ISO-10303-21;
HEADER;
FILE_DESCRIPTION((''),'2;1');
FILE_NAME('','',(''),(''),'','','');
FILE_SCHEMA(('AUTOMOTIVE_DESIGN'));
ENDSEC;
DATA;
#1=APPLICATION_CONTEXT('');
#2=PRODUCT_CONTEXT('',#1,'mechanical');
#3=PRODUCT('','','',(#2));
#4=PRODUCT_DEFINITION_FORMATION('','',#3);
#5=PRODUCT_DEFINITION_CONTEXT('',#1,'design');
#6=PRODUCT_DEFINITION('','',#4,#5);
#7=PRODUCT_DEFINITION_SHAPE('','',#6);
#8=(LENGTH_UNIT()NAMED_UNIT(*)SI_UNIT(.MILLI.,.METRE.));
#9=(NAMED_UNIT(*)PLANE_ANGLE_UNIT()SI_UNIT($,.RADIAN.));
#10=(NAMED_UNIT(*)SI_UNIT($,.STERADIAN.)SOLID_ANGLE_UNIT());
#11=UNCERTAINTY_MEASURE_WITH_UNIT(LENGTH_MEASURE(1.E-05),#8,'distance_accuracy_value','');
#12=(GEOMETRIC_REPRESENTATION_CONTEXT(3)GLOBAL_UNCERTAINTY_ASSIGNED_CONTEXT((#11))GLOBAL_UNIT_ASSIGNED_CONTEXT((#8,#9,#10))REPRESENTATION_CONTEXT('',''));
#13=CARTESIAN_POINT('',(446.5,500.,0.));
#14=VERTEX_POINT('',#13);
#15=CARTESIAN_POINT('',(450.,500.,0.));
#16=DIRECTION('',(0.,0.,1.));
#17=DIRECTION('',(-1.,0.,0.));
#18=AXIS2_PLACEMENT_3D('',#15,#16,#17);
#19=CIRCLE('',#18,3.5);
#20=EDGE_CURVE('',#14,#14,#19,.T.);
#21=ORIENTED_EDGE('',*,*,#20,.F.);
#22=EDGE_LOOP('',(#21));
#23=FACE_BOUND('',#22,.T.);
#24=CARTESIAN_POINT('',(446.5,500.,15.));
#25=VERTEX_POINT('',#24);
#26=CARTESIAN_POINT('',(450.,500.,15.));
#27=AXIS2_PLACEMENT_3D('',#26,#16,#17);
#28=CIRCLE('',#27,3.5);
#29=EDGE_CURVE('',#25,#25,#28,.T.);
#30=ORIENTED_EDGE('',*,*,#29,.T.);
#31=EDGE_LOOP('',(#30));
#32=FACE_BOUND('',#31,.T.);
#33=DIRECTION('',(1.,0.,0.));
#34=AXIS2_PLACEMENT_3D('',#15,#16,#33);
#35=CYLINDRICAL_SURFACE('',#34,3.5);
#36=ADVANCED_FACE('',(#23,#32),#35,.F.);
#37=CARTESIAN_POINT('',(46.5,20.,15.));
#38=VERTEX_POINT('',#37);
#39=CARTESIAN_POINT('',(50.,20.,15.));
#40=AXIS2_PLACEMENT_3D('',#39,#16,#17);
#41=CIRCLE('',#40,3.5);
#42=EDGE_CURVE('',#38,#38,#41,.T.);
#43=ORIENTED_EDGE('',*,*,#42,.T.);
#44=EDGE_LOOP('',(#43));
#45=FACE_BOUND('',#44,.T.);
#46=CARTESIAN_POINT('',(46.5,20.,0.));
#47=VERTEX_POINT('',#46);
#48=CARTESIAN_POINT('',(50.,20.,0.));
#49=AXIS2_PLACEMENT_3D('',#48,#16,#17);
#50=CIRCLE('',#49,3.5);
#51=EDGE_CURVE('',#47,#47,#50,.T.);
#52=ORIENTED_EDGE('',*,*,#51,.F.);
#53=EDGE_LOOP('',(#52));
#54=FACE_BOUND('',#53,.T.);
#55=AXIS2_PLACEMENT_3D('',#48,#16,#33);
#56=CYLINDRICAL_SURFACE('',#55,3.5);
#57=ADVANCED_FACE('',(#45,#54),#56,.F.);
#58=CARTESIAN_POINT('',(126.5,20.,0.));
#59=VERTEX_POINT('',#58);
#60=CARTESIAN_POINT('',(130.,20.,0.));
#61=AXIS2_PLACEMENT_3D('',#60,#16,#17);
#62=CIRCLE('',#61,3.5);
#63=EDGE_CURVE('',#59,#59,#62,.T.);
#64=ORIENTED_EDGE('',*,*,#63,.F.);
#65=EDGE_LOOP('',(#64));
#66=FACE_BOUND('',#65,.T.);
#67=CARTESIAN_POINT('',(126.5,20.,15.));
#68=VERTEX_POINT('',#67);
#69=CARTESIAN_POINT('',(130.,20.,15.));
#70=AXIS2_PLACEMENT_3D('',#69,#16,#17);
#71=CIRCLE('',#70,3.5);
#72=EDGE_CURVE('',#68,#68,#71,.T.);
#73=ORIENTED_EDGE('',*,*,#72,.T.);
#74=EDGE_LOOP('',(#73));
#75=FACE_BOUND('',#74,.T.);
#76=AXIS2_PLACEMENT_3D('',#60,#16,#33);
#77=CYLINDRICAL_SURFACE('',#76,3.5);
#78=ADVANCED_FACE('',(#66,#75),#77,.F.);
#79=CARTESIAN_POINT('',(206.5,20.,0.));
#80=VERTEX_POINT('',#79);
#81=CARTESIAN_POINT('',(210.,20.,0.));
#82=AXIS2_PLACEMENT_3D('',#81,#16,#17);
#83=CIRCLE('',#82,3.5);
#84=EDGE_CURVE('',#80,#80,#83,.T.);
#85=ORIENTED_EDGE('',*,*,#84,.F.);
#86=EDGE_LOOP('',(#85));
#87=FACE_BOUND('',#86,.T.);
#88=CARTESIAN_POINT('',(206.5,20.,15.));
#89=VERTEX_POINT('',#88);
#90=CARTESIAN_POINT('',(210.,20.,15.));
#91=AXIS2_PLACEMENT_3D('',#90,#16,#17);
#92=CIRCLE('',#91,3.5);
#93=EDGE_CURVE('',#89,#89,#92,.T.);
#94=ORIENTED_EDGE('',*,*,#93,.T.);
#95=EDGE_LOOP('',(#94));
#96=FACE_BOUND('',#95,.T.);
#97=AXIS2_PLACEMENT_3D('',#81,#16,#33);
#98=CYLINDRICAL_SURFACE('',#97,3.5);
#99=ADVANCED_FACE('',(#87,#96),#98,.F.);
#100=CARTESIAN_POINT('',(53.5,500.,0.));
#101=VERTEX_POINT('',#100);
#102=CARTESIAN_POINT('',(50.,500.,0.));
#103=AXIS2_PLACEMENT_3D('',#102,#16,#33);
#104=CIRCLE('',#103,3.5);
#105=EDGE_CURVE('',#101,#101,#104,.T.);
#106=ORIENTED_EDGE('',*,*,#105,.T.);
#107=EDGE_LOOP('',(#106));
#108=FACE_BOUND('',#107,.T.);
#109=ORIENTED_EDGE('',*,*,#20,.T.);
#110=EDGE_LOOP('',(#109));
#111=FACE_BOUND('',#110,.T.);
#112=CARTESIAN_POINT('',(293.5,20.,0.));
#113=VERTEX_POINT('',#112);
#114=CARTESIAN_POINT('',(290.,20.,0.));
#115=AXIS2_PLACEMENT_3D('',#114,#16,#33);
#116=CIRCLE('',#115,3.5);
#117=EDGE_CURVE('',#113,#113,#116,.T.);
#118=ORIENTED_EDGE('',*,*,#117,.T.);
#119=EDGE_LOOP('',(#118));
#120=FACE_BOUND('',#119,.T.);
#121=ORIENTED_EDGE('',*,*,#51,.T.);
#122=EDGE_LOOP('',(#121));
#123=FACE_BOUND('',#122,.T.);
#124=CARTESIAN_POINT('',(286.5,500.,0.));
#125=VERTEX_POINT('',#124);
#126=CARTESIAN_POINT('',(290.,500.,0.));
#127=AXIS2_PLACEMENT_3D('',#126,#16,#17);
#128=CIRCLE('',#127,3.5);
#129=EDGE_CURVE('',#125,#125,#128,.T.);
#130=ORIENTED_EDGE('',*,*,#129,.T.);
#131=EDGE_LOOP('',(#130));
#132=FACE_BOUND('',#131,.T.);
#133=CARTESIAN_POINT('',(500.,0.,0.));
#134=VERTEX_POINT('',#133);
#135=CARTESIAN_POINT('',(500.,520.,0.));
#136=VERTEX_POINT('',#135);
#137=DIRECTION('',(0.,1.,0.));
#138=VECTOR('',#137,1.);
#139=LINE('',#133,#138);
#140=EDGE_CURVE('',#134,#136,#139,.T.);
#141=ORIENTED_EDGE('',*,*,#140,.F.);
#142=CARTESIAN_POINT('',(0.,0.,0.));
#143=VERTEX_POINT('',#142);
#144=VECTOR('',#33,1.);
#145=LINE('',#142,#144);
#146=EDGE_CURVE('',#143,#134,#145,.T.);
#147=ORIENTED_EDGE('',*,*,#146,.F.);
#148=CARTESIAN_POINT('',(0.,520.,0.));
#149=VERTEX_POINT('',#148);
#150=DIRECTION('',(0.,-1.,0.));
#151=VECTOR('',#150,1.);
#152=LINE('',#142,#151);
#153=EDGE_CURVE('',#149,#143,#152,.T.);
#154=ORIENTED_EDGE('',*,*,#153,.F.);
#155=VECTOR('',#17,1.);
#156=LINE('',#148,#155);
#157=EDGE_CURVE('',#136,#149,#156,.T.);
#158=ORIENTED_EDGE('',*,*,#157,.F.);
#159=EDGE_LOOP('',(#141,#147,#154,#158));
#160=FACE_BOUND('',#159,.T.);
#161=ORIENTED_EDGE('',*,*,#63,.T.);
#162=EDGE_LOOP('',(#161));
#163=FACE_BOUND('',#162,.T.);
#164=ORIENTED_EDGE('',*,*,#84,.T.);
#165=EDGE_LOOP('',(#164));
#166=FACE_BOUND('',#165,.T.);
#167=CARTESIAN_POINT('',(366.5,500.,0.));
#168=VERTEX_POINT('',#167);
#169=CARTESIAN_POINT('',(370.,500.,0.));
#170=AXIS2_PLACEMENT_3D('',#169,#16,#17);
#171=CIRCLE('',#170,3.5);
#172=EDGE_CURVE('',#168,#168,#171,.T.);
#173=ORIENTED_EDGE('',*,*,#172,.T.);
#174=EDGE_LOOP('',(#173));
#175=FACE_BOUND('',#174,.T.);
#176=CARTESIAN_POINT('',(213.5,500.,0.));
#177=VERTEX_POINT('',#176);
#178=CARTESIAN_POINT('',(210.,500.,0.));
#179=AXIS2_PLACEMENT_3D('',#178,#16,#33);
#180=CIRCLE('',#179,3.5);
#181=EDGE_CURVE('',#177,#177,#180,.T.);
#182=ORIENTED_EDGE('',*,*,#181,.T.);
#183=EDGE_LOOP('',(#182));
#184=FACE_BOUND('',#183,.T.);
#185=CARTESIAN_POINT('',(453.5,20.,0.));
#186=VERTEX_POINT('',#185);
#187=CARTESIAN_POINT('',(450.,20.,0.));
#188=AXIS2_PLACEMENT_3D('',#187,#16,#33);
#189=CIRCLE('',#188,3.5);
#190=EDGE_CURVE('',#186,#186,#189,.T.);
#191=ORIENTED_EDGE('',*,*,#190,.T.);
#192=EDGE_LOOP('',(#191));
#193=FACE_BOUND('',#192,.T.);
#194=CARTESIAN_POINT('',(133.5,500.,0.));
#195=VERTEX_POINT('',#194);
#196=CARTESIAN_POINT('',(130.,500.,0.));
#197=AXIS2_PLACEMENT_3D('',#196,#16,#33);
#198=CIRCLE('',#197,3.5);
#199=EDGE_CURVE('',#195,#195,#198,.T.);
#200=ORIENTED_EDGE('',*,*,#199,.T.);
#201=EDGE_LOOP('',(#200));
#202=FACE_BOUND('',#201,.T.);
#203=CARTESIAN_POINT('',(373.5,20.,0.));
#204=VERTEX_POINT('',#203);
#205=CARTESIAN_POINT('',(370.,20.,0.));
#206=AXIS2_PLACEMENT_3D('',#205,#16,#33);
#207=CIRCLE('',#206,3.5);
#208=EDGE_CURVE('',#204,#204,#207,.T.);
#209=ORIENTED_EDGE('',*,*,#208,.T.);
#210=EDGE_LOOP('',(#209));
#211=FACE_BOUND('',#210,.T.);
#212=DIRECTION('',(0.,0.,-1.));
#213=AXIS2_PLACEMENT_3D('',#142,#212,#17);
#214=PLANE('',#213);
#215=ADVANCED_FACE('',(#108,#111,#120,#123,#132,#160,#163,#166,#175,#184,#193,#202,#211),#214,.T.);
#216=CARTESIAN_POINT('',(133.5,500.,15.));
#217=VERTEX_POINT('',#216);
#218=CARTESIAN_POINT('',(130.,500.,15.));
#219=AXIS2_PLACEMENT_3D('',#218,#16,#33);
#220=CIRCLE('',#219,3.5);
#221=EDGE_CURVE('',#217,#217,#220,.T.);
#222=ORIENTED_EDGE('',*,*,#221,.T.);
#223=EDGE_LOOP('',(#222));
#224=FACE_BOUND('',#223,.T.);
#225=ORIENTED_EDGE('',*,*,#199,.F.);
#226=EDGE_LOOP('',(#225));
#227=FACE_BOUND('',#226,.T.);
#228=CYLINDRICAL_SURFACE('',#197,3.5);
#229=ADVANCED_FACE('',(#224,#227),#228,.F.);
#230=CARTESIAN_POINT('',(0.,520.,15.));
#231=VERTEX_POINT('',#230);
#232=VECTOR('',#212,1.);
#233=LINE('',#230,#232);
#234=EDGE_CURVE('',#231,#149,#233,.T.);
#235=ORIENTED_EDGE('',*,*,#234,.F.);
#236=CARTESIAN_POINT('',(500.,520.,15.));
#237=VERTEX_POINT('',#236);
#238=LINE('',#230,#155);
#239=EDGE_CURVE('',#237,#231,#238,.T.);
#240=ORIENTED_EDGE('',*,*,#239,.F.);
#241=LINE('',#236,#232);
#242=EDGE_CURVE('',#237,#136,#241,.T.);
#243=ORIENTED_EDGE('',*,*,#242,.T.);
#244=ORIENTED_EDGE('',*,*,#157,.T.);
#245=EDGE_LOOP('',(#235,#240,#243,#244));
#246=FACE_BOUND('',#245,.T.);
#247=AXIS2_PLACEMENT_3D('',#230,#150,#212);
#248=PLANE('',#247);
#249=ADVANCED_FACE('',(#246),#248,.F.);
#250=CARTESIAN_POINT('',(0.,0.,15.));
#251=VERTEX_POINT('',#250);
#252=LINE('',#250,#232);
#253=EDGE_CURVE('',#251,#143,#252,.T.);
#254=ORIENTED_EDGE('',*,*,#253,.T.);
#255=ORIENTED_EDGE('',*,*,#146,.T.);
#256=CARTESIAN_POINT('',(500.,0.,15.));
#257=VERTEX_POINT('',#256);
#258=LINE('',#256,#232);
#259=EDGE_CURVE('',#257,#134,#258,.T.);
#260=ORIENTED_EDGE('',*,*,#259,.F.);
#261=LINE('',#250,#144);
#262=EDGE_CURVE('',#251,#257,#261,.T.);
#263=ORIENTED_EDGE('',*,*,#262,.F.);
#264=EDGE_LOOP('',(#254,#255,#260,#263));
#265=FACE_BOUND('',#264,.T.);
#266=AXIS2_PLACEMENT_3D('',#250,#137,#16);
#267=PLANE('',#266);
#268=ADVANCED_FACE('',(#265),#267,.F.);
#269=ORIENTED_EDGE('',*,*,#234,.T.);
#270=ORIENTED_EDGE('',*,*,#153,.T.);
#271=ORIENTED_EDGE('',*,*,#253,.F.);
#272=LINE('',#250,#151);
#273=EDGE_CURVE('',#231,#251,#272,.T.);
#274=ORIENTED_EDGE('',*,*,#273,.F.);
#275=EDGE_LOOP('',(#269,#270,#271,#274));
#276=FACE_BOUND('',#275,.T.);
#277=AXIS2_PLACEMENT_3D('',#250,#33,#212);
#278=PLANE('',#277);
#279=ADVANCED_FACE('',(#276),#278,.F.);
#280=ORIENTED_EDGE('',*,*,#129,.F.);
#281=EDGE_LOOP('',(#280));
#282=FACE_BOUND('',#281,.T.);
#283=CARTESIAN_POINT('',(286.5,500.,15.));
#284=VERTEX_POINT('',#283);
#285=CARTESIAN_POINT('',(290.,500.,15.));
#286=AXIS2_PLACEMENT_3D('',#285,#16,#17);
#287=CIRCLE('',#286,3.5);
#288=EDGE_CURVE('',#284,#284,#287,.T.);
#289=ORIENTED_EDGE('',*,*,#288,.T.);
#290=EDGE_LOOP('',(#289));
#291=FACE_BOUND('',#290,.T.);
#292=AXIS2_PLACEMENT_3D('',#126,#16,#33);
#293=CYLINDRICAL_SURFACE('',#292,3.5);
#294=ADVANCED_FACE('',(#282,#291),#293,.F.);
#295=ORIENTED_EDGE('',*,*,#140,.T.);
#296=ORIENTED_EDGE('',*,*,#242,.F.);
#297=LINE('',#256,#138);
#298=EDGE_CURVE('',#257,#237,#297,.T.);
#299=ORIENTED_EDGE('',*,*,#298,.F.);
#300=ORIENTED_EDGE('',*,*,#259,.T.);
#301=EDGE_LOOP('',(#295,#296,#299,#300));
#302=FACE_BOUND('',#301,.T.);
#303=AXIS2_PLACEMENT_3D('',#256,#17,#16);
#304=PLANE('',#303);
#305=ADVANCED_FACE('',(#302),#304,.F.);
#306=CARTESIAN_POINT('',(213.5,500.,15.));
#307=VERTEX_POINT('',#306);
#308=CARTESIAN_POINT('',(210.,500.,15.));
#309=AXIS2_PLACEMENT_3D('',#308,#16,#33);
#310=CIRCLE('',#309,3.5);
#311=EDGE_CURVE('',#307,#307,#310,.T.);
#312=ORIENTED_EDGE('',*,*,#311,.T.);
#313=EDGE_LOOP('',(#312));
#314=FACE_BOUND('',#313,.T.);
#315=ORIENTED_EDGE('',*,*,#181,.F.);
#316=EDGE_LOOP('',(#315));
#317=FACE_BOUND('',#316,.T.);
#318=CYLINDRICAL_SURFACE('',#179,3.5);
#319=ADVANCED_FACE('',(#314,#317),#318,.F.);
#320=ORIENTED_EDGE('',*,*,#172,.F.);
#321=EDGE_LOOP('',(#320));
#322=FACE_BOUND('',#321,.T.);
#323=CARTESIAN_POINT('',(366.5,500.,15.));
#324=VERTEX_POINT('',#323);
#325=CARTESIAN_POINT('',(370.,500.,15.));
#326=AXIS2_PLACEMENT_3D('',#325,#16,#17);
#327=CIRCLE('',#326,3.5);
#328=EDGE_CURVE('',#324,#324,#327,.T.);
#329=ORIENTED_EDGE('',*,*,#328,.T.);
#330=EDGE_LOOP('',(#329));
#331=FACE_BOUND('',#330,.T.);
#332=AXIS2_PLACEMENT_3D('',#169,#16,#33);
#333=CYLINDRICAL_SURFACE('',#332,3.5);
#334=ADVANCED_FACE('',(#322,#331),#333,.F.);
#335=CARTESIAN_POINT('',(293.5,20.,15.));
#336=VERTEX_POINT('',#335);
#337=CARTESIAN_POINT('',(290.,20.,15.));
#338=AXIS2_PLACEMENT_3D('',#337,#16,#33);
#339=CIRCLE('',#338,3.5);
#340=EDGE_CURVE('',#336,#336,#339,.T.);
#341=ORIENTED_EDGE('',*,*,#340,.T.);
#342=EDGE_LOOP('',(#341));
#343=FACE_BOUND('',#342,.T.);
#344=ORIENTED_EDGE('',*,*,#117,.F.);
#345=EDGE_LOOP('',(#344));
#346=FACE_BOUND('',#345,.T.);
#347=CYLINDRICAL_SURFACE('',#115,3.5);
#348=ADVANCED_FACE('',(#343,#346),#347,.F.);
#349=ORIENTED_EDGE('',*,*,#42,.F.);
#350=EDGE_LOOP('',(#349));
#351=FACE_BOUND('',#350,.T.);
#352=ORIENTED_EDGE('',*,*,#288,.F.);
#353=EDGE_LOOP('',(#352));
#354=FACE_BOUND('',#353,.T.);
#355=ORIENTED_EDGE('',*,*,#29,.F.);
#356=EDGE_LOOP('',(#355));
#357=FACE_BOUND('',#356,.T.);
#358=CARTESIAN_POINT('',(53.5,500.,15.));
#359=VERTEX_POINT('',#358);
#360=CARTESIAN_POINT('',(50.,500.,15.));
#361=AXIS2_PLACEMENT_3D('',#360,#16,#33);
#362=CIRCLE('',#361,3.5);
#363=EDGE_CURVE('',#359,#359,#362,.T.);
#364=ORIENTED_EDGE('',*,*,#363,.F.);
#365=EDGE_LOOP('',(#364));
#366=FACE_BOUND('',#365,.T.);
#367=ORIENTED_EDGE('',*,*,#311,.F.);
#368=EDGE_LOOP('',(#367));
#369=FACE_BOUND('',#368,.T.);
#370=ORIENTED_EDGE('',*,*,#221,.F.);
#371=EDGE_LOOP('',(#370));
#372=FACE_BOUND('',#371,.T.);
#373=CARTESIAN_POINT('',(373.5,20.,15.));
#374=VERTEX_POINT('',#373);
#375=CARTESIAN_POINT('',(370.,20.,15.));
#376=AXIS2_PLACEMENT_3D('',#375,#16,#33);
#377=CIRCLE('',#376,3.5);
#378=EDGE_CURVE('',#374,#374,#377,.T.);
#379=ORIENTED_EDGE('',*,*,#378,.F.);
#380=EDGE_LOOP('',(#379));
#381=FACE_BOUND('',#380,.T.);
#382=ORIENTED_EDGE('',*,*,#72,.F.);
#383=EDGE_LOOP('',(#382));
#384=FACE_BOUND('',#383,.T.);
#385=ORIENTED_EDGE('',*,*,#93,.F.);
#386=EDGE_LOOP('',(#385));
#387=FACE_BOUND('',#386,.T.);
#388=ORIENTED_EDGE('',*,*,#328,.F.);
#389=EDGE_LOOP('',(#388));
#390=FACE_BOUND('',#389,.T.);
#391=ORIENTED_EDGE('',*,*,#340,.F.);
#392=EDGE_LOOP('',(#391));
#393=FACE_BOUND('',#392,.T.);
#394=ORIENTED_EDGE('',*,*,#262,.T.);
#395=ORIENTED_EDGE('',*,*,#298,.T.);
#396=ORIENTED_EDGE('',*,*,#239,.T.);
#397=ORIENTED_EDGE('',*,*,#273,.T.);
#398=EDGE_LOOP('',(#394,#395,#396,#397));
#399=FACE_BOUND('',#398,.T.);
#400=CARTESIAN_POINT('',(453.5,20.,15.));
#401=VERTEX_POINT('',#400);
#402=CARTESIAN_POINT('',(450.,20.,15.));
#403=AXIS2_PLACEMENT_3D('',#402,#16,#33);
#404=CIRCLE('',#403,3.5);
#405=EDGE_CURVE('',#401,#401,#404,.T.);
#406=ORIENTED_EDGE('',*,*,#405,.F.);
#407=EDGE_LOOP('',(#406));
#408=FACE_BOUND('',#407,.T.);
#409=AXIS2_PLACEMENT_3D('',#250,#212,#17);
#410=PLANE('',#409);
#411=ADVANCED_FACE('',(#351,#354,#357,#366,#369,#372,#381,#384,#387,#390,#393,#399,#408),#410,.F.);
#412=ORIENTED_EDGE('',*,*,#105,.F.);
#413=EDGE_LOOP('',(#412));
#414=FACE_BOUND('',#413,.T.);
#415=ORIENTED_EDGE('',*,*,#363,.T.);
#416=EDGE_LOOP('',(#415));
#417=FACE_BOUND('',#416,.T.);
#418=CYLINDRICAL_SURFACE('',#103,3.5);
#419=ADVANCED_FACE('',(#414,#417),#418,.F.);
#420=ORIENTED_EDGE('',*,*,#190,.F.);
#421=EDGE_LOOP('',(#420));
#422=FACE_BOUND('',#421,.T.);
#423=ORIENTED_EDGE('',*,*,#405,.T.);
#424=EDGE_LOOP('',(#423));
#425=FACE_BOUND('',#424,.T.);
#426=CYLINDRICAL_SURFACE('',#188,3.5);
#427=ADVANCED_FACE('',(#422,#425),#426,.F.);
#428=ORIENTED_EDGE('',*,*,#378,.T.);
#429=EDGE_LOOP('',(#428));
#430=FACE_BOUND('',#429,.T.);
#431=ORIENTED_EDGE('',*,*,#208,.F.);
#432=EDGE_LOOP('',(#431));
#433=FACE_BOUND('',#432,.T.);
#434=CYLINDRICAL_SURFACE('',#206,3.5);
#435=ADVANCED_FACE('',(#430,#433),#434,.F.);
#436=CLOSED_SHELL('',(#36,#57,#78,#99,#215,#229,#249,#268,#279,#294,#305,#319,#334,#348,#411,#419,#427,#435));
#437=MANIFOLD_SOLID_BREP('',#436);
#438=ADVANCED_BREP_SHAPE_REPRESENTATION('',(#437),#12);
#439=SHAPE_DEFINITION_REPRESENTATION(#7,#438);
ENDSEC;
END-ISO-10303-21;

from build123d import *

# Parameters (mm, degrees)
ESQUISSE1_W             = 500
ESQUISSE1_H             = 520
BOSS_EXTRU_1_DEPTH      = 15
ESQUISSE2_R             = 3.5
ENL_V_MAT_EXTRU_1_DEPTH = 722.543484483


with BuildPart() as part:
    # Esquisse1 → Boss.-Extru.1 (new body)
    with BuildSketch(Plane.XY):
        with Locations((250, 260)):
            Rectangle(ESQUISSE1_W, ESQUISSE1_H)
    extrude(amount=BOSS_EXTRU_1_DEPTH)

    # Esquisse2 → Enlèv. mat.-Extru.1 (cut, through all)
    with BuildSketch(Plane.XY.offset(15)):
        with Locations((210, 500)):
            Circle(ESQUISSE2_R)
        with Locations(Location((290, 500, 0), (0, 0, 180))):
            Circle(ESQUISSE2_R)
        with Locations((130, 500)):
            Circle(ESQUISSE2_R)
        with Locations((50, 500)):
            Circle(ESQUISSE2_R)
        with Locations(Location((450, 500, 0), (0, 0, 180))):
            Circle(ESQUISSE2_R)
        with Locations(Location((370, 500, 0), (0, 0, 180))):
            Circle(ESQUISSE2_R)
        with Locations((370, 20)):
            Circle(ESQUISSE2_R)
        with Locations((450, 20)):
            Circle(ESQUISSE2_R)
        with Locations(Location((50, 20, 0), (0, 0, 180))):
            Circle(ESQUISSE2_R)
        with Locations(Location((130, 20, 0), (0, 0, 180))):
            Circle(ESQUISSE2_R)
        with Locations((290, 20)):
            Circle(ESQUISSE2_R)
        with Locations(Location((210, 20, 0), (0, 0, 180))):
            Circle(ESQUISSE2_R)
    extrude(amount=-ENL_V_MAT_EXTRU_1_DEPTH, mode=Mode.SUBTRACT)


solid = part.part
